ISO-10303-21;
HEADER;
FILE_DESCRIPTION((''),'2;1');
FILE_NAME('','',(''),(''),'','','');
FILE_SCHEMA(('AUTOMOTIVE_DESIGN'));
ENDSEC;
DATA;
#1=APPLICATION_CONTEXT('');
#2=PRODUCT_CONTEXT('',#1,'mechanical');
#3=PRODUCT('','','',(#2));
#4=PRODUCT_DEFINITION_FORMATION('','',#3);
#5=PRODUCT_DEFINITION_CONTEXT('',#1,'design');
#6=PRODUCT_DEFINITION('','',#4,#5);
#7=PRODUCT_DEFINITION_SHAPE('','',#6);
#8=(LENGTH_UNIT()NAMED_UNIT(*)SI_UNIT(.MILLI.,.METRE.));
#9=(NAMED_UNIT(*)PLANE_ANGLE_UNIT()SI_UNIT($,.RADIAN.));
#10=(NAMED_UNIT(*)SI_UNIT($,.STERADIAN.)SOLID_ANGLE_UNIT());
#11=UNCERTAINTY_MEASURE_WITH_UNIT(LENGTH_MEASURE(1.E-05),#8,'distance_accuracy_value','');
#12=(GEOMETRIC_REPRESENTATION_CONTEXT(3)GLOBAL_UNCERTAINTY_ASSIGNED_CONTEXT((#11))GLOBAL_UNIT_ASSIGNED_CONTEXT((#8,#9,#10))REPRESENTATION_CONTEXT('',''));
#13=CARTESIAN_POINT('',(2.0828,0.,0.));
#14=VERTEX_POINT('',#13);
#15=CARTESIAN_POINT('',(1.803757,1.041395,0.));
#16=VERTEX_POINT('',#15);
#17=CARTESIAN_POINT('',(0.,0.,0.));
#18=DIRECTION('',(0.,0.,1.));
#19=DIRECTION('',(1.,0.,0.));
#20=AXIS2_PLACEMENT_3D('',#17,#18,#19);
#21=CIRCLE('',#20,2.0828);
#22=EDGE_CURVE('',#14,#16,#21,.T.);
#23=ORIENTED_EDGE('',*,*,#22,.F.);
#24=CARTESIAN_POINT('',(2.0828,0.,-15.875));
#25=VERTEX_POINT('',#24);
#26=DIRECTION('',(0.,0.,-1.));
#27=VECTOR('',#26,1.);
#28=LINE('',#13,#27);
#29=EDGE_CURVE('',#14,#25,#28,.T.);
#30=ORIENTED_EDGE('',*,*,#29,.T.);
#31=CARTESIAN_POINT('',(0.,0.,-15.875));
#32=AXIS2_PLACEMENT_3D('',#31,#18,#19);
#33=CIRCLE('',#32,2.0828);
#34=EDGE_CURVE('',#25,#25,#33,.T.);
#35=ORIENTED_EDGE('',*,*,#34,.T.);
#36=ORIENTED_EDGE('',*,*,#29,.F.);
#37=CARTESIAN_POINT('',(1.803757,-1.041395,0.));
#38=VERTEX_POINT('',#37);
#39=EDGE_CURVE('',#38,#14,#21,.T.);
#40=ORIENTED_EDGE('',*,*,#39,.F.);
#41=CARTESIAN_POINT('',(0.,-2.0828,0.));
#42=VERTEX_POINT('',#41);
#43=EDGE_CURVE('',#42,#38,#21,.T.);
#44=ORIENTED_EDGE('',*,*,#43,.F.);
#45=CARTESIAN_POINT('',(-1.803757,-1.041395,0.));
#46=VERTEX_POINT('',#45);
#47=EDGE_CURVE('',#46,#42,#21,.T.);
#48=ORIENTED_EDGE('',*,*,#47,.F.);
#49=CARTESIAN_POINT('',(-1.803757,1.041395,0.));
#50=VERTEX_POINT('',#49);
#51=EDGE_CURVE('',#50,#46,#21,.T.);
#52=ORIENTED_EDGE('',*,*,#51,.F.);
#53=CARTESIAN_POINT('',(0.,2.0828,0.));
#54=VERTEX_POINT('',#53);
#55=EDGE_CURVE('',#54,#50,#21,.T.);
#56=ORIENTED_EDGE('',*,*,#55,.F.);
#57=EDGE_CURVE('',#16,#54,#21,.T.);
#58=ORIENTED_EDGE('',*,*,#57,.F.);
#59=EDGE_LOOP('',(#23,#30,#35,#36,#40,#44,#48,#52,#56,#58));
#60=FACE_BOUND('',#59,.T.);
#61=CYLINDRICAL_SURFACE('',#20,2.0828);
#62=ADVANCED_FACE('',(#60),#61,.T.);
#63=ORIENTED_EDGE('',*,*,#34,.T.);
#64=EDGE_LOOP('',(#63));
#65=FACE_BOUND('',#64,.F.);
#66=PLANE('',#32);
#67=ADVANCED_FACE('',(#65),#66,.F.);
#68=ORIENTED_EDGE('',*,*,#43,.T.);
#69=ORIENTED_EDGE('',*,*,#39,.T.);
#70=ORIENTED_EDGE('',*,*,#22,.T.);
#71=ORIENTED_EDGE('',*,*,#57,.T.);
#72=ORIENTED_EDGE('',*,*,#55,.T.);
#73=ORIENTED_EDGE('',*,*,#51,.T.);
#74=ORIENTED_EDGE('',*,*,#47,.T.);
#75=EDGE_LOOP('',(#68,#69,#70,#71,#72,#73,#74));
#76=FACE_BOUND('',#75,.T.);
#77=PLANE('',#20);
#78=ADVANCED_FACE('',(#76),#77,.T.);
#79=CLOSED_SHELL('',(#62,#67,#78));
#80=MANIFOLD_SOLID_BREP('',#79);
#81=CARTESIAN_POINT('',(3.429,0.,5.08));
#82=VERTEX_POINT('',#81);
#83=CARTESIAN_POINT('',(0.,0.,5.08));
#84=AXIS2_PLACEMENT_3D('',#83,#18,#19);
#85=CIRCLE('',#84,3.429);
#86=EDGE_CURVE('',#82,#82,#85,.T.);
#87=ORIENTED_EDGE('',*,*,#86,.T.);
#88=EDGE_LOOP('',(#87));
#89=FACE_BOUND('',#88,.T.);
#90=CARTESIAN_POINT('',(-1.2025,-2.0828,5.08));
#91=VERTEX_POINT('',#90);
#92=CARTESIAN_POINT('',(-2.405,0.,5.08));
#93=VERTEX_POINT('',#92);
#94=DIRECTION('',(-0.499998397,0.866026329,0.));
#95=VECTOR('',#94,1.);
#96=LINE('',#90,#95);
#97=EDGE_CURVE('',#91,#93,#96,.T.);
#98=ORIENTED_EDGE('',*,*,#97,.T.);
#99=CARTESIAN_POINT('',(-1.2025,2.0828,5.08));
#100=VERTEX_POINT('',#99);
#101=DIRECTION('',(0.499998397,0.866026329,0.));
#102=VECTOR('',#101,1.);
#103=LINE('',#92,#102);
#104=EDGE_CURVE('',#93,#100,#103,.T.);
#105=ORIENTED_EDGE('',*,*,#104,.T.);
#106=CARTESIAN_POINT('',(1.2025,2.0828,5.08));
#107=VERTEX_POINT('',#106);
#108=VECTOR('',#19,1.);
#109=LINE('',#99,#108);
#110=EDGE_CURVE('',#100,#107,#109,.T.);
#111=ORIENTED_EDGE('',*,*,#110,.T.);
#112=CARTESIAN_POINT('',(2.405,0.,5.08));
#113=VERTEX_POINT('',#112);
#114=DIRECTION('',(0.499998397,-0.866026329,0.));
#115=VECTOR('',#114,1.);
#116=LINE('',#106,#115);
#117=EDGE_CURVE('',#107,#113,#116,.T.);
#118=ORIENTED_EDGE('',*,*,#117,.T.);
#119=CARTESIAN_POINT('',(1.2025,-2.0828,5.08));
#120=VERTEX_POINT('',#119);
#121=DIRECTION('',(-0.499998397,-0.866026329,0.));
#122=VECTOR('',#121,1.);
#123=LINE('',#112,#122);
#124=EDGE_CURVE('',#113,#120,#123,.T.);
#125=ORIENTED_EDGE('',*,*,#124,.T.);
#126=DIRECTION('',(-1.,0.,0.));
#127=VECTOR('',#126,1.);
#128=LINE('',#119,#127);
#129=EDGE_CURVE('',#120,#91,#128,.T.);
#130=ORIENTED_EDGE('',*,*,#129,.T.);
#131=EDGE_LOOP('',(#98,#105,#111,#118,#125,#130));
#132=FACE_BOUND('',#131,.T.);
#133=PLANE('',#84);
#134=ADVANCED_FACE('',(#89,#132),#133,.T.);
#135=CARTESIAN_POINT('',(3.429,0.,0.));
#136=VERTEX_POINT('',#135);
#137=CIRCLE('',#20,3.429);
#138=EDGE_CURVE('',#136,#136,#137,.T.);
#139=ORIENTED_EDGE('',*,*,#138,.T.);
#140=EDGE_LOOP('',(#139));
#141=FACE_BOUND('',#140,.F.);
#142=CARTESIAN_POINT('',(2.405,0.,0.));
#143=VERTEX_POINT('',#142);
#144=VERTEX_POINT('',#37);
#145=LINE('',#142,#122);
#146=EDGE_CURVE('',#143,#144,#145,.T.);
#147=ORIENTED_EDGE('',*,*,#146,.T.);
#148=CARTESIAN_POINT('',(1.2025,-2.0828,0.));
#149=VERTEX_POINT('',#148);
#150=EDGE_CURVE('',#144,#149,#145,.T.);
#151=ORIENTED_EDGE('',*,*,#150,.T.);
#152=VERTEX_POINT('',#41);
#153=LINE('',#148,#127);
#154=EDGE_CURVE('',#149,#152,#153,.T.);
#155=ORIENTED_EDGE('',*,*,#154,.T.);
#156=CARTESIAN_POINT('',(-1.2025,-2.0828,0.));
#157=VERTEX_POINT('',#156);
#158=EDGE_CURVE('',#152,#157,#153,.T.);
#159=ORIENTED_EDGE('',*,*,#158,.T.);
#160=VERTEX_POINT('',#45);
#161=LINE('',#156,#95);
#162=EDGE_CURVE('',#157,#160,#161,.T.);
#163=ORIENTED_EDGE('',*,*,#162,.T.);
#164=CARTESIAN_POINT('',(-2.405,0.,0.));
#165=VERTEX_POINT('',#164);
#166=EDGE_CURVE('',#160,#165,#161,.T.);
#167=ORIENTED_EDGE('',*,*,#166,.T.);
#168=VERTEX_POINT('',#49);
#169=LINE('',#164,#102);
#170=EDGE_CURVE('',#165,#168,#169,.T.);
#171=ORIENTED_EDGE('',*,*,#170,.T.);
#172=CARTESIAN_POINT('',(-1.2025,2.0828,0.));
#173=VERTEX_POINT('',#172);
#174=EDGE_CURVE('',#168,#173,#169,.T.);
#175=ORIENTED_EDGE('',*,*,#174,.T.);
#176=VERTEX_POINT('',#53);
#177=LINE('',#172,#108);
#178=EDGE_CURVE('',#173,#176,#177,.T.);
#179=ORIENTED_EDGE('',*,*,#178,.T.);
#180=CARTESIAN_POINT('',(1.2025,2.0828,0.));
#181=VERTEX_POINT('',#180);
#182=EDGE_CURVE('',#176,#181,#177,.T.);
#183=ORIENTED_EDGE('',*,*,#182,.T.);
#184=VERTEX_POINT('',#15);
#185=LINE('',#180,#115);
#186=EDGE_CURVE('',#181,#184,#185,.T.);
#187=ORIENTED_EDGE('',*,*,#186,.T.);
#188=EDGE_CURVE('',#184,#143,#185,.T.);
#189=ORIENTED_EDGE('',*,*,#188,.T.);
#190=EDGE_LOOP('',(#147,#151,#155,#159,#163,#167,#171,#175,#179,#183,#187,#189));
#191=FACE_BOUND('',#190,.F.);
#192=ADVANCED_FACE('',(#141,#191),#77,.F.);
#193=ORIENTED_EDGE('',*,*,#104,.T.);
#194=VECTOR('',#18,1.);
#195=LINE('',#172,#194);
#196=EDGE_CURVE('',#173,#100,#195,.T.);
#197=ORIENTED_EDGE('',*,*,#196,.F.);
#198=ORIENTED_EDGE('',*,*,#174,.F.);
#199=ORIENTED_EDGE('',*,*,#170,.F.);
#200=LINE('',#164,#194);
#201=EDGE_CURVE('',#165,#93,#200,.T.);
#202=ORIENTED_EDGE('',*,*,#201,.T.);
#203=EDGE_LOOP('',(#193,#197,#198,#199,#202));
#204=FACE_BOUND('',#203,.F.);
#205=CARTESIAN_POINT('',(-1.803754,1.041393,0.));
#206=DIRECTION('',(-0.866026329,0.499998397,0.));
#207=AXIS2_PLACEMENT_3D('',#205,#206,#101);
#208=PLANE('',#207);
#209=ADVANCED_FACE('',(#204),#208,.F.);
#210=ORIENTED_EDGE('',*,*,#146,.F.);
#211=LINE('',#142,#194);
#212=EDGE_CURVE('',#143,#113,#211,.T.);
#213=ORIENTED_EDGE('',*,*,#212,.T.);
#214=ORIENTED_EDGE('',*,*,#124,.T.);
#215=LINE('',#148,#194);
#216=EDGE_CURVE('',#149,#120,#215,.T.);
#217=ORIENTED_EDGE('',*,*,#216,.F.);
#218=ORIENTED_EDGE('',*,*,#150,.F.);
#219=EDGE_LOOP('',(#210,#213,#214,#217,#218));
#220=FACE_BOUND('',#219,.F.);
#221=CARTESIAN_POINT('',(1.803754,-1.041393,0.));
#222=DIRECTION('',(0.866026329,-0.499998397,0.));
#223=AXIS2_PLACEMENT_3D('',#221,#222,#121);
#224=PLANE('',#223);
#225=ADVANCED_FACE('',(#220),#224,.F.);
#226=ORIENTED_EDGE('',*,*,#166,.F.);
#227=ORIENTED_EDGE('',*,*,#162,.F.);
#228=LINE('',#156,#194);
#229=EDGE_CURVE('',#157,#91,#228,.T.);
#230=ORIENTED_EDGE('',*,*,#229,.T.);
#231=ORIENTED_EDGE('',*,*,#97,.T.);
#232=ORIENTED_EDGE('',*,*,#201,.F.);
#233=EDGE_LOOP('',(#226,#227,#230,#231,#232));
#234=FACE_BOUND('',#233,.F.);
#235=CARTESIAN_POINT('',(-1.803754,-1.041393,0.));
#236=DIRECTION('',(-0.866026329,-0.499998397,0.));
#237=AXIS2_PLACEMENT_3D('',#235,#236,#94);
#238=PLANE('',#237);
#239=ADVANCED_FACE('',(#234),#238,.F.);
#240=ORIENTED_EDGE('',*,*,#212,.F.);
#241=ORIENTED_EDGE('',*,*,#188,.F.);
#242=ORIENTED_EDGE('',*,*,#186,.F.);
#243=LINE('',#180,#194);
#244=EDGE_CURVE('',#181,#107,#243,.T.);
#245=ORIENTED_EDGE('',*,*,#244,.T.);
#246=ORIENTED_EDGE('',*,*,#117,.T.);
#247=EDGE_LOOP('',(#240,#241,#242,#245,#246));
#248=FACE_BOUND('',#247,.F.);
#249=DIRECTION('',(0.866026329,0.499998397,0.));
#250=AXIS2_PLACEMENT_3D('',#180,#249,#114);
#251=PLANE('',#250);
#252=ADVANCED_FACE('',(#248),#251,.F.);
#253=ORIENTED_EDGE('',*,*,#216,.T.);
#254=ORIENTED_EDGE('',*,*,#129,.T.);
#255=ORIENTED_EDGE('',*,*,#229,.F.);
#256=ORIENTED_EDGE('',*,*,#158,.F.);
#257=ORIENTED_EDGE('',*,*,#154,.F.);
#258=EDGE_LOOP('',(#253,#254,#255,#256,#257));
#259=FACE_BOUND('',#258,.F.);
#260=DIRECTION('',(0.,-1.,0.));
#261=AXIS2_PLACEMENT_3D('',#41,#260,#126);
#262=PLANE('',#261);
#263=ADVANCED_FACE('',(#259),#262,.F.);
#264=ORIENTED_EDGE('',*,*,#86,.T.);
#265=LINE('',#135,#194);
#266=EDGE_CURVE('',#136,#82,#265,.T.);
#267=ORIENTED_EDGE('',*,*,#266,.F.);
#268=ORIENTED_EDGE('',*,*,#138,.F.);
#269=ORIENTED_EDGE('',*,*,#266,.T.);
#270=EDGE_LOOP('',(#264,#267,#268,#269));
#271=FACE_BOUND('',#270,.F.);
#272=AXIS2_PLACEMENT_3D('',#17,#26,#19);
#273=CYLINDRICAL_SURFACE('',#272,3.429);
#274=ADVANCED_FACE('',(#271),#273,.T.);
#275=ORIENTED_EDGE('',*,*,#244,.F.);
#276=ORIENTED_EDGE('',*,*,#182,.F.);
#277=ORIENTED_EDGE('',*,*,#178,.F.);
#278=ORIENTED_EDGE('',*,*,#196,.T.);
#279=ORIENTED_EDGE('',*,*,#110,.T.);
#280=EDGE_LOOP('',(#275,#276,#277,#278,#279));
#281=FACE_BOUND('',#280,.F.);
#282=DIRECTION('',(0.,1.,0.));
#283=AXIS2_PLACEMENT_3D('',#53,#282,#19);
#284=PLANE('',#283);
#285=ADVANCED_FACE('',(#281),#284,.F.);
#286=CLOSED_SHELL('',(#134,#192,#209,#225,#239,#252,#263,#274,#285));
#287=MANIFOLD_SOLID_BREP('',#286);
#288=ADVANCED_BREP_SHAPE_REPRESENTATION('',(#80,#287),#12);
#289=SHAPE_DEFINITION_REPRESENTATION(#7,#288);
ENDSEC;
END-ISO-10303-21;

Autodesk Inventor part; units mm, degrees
ref_plane "YZ Plane" through (0, 0, 0) normal (1, 0, 0) x (0, 1, 0)
ref_plane "XZ Plane" through (0, 0, 0) normal (0, 1, 0) x (-1, 0, 0)
ref_plane "XY Plane" through (0, 0, 0) normal (0, 0, 1) x (1, 0, 0)
sketch "Sketch1" plane through (0, 0, 0) normal (0, 0, 1) x (1, 0, 0)
  circle A0 centre (0, 0) radius 3.429
  circle A1 centre (0, 0) radius 2.0828
  line L0 (1.2025, 2.0828) -> (2.405, 0)
  line L1 (2.405, 0) -> (1.2025, -2.0828)
  line L2 (1.2025, -2.0828) -> (-1.2025, -2.0828)
  line L3 (-1.2025, -2.0828) -> (-2.405, 0)
  line L4 (-2.405, 0) -> (-1.2025, 2.0828)
  line L5 (-1.2025, 2.0828) -> (1.2025, 2.0828)
  dimension "d0" = 4.1656
  dimension "d1" = 6.858
extrude "Extrusion1" add sketch "Sketch1" against normal blind 15.875 contours A1
extrude "Extrusion2" add sketch "Sketch1" along normal blind 5.08
thread "Thread1" size "8-32 UNC" class "2A" standard "ANSI Unified Screw Threads" full length
properties part number "Bolt 8-32 bracket BD Drill motor mount"
